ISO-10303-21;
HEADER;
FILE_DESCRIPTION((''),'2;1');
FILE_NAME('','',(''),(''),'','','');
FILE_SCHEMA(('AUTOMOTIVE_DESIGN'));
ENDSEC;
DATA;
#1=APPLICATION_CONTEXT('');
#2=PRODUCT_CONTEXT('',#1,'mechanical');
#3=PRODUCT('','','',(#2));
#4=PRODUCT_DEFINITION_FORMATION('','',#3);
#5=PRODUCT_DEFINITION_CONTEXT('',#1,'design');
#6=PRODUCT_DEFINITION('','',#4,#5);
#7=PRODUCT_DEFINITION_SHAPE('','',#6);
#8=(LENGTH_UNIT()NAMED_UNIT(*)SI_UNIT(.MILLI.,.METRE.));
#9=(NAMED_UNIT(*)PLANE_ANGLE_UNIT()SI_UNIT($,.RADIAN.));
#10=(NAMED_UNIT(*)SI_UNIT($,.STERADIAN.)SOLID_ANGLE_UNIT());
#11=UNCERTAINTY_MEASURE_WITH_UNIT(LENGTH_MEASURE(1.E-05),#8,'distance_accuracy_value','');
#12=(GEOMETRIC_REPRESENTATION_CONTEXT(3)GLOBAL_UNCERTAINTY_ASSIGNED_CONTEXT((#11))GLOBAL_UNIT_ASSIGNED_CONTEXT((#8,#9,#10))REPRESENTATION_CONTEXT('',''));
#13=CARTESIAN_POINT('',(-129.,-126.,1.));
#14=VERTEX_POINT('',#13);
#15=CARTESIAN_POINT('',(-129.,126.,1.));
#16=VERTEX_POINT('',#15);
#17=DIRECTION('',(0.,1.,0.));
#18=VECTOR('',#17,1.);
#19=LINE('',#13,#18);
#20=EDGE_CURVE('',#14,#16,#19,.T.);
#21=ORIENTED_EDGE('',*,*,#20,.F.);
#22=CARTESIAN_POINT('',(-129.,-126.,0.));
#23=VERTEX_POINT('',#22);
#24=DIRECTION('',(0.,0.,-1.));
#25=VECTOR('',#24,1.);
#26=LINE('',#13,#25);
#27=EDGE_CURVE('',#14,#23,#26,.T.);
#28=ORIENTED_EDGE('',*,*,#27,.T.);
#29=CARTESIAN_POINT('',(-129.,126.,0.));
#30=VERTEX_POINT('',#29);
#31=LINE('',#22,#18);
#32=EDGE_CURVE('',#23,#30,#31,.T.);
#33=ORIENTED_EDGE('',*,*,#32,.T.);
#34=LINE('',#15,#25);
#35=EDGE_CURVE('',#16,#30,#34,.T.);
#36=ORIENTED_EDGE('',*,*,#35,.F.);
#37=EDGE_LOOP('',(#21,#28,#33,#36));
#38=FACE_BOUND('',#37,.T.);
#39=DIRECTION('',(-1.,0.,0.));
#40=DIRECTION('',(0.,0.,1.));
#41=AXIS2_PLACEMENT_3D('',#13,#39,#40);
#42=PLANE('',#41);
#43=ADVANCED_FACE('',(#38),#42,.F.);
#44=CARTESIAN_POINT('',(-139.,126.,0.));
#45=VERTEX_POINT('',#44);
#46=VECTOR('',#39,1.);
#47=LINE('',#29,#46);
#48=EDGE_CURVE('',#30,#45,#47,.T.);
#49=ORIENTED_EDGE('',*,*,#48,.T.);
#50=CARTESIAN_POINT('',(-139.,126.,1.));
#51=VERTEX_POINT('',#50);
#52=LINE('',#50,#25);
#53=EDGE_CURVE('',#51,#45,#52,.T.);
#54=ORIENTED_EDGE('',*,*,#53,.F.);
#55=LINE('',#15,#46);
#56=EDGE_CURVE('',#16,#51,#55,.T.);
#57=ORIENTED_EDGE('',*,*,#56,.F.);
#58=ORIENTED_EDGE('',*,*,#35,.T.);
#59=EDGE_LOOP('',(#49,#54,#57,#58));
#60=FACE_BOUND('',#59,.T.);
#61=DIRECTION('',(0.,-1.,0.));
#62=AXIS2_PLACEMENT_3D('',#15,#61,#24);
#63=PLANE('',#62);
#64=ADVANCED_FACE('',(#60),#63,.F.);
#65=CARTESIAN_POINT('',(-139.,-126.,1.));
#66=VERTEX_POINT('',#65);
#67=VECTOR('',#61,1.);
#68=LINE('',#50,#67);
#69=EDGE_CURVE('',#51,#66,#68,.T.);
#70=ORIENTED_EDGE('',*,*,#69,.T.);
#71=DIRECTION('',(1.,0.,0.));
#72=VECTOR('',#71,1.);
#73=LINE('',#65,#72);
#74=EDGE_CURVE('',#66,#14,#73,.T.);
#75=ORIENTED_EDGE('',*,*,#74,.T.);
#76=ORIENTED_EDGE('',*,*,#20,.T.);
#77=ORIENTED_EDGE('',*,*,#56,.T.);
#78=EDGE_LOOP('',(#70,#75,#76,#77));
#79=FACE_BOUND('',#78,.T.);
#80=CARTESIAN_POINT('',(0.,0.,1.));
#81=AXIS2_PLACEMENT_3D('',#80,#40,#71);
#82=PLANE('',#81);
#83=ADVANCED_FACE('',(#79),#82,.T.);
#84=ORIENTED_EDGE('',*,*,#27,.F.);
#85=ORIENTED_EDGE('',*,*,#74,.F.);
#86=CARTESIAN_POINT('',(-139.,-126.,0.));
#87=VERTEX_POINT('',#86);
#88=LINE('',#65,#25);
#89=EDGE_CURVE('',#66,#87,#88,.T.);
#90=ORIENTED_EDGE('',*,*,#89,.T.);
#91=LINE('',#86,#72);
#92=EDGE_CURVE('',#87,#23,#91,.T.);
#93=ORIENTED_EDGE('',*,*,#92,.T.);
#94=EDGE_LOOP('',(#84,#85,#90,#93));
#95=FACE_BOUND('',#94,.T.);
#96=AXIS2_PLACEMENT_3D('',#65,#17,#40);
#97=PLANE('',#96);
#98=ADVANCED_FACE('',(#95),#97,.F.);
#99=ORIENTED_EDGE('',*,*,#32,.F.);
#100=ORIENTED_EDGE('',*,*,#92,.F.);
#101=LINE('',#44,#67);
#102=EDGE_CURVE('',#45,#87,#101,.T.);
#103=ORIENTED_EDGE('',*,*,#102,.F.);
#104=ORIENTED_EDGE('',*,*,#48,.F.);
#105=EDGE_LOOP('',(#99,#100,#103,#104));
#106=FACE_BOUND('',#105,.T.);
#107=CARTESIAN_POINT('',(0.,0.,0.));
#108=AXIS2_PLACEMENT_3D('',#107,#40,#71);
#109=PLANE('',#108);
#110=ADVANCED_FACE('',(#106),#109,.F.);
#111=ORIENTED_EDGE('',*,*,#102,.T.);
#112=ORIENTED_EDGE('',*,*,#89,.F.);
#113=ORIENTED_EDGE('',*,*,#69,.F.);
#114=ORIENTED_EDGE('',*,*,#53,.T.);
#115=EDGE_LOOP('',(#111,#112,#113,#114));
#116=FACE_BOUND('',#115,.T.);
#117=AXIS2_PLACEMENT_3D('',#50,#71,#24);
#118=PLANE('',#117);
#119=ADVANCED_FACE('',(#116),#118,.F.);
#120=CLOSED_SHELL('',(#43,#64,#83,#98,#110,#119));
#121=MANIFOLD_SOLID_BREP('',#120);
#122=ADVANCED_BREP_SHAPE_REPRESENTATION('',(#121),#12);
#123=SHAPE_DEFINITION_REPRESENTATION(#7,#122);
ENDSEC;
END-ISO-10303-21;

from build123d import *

# Parameters (mm, degrees)
REAR_WALL_STIFFENING_LIP_PROFILE_W = 10
REAR_WALL_STIFFENING_LIP_PROFILE_H = 252
REAR_WALL_STIFFENING_LIP_DEPTH     = 1


with BuildPart() as part:
    # Rear wall stiffening lip profile → Rear wall stiffening lip (new body)
    with BuildSketch(Plane.XY):
        with Locations((-134, 0)):
            Rectangle(REAR_WALL_STIFFENING_LIP_PROFILE_W, REAR_WALL_STIFFENING_LIP_PROFILE_H)
    extrude(amount=REAR_WALL_STIFFENING_LIP_DEPTH)


solid = part.part
